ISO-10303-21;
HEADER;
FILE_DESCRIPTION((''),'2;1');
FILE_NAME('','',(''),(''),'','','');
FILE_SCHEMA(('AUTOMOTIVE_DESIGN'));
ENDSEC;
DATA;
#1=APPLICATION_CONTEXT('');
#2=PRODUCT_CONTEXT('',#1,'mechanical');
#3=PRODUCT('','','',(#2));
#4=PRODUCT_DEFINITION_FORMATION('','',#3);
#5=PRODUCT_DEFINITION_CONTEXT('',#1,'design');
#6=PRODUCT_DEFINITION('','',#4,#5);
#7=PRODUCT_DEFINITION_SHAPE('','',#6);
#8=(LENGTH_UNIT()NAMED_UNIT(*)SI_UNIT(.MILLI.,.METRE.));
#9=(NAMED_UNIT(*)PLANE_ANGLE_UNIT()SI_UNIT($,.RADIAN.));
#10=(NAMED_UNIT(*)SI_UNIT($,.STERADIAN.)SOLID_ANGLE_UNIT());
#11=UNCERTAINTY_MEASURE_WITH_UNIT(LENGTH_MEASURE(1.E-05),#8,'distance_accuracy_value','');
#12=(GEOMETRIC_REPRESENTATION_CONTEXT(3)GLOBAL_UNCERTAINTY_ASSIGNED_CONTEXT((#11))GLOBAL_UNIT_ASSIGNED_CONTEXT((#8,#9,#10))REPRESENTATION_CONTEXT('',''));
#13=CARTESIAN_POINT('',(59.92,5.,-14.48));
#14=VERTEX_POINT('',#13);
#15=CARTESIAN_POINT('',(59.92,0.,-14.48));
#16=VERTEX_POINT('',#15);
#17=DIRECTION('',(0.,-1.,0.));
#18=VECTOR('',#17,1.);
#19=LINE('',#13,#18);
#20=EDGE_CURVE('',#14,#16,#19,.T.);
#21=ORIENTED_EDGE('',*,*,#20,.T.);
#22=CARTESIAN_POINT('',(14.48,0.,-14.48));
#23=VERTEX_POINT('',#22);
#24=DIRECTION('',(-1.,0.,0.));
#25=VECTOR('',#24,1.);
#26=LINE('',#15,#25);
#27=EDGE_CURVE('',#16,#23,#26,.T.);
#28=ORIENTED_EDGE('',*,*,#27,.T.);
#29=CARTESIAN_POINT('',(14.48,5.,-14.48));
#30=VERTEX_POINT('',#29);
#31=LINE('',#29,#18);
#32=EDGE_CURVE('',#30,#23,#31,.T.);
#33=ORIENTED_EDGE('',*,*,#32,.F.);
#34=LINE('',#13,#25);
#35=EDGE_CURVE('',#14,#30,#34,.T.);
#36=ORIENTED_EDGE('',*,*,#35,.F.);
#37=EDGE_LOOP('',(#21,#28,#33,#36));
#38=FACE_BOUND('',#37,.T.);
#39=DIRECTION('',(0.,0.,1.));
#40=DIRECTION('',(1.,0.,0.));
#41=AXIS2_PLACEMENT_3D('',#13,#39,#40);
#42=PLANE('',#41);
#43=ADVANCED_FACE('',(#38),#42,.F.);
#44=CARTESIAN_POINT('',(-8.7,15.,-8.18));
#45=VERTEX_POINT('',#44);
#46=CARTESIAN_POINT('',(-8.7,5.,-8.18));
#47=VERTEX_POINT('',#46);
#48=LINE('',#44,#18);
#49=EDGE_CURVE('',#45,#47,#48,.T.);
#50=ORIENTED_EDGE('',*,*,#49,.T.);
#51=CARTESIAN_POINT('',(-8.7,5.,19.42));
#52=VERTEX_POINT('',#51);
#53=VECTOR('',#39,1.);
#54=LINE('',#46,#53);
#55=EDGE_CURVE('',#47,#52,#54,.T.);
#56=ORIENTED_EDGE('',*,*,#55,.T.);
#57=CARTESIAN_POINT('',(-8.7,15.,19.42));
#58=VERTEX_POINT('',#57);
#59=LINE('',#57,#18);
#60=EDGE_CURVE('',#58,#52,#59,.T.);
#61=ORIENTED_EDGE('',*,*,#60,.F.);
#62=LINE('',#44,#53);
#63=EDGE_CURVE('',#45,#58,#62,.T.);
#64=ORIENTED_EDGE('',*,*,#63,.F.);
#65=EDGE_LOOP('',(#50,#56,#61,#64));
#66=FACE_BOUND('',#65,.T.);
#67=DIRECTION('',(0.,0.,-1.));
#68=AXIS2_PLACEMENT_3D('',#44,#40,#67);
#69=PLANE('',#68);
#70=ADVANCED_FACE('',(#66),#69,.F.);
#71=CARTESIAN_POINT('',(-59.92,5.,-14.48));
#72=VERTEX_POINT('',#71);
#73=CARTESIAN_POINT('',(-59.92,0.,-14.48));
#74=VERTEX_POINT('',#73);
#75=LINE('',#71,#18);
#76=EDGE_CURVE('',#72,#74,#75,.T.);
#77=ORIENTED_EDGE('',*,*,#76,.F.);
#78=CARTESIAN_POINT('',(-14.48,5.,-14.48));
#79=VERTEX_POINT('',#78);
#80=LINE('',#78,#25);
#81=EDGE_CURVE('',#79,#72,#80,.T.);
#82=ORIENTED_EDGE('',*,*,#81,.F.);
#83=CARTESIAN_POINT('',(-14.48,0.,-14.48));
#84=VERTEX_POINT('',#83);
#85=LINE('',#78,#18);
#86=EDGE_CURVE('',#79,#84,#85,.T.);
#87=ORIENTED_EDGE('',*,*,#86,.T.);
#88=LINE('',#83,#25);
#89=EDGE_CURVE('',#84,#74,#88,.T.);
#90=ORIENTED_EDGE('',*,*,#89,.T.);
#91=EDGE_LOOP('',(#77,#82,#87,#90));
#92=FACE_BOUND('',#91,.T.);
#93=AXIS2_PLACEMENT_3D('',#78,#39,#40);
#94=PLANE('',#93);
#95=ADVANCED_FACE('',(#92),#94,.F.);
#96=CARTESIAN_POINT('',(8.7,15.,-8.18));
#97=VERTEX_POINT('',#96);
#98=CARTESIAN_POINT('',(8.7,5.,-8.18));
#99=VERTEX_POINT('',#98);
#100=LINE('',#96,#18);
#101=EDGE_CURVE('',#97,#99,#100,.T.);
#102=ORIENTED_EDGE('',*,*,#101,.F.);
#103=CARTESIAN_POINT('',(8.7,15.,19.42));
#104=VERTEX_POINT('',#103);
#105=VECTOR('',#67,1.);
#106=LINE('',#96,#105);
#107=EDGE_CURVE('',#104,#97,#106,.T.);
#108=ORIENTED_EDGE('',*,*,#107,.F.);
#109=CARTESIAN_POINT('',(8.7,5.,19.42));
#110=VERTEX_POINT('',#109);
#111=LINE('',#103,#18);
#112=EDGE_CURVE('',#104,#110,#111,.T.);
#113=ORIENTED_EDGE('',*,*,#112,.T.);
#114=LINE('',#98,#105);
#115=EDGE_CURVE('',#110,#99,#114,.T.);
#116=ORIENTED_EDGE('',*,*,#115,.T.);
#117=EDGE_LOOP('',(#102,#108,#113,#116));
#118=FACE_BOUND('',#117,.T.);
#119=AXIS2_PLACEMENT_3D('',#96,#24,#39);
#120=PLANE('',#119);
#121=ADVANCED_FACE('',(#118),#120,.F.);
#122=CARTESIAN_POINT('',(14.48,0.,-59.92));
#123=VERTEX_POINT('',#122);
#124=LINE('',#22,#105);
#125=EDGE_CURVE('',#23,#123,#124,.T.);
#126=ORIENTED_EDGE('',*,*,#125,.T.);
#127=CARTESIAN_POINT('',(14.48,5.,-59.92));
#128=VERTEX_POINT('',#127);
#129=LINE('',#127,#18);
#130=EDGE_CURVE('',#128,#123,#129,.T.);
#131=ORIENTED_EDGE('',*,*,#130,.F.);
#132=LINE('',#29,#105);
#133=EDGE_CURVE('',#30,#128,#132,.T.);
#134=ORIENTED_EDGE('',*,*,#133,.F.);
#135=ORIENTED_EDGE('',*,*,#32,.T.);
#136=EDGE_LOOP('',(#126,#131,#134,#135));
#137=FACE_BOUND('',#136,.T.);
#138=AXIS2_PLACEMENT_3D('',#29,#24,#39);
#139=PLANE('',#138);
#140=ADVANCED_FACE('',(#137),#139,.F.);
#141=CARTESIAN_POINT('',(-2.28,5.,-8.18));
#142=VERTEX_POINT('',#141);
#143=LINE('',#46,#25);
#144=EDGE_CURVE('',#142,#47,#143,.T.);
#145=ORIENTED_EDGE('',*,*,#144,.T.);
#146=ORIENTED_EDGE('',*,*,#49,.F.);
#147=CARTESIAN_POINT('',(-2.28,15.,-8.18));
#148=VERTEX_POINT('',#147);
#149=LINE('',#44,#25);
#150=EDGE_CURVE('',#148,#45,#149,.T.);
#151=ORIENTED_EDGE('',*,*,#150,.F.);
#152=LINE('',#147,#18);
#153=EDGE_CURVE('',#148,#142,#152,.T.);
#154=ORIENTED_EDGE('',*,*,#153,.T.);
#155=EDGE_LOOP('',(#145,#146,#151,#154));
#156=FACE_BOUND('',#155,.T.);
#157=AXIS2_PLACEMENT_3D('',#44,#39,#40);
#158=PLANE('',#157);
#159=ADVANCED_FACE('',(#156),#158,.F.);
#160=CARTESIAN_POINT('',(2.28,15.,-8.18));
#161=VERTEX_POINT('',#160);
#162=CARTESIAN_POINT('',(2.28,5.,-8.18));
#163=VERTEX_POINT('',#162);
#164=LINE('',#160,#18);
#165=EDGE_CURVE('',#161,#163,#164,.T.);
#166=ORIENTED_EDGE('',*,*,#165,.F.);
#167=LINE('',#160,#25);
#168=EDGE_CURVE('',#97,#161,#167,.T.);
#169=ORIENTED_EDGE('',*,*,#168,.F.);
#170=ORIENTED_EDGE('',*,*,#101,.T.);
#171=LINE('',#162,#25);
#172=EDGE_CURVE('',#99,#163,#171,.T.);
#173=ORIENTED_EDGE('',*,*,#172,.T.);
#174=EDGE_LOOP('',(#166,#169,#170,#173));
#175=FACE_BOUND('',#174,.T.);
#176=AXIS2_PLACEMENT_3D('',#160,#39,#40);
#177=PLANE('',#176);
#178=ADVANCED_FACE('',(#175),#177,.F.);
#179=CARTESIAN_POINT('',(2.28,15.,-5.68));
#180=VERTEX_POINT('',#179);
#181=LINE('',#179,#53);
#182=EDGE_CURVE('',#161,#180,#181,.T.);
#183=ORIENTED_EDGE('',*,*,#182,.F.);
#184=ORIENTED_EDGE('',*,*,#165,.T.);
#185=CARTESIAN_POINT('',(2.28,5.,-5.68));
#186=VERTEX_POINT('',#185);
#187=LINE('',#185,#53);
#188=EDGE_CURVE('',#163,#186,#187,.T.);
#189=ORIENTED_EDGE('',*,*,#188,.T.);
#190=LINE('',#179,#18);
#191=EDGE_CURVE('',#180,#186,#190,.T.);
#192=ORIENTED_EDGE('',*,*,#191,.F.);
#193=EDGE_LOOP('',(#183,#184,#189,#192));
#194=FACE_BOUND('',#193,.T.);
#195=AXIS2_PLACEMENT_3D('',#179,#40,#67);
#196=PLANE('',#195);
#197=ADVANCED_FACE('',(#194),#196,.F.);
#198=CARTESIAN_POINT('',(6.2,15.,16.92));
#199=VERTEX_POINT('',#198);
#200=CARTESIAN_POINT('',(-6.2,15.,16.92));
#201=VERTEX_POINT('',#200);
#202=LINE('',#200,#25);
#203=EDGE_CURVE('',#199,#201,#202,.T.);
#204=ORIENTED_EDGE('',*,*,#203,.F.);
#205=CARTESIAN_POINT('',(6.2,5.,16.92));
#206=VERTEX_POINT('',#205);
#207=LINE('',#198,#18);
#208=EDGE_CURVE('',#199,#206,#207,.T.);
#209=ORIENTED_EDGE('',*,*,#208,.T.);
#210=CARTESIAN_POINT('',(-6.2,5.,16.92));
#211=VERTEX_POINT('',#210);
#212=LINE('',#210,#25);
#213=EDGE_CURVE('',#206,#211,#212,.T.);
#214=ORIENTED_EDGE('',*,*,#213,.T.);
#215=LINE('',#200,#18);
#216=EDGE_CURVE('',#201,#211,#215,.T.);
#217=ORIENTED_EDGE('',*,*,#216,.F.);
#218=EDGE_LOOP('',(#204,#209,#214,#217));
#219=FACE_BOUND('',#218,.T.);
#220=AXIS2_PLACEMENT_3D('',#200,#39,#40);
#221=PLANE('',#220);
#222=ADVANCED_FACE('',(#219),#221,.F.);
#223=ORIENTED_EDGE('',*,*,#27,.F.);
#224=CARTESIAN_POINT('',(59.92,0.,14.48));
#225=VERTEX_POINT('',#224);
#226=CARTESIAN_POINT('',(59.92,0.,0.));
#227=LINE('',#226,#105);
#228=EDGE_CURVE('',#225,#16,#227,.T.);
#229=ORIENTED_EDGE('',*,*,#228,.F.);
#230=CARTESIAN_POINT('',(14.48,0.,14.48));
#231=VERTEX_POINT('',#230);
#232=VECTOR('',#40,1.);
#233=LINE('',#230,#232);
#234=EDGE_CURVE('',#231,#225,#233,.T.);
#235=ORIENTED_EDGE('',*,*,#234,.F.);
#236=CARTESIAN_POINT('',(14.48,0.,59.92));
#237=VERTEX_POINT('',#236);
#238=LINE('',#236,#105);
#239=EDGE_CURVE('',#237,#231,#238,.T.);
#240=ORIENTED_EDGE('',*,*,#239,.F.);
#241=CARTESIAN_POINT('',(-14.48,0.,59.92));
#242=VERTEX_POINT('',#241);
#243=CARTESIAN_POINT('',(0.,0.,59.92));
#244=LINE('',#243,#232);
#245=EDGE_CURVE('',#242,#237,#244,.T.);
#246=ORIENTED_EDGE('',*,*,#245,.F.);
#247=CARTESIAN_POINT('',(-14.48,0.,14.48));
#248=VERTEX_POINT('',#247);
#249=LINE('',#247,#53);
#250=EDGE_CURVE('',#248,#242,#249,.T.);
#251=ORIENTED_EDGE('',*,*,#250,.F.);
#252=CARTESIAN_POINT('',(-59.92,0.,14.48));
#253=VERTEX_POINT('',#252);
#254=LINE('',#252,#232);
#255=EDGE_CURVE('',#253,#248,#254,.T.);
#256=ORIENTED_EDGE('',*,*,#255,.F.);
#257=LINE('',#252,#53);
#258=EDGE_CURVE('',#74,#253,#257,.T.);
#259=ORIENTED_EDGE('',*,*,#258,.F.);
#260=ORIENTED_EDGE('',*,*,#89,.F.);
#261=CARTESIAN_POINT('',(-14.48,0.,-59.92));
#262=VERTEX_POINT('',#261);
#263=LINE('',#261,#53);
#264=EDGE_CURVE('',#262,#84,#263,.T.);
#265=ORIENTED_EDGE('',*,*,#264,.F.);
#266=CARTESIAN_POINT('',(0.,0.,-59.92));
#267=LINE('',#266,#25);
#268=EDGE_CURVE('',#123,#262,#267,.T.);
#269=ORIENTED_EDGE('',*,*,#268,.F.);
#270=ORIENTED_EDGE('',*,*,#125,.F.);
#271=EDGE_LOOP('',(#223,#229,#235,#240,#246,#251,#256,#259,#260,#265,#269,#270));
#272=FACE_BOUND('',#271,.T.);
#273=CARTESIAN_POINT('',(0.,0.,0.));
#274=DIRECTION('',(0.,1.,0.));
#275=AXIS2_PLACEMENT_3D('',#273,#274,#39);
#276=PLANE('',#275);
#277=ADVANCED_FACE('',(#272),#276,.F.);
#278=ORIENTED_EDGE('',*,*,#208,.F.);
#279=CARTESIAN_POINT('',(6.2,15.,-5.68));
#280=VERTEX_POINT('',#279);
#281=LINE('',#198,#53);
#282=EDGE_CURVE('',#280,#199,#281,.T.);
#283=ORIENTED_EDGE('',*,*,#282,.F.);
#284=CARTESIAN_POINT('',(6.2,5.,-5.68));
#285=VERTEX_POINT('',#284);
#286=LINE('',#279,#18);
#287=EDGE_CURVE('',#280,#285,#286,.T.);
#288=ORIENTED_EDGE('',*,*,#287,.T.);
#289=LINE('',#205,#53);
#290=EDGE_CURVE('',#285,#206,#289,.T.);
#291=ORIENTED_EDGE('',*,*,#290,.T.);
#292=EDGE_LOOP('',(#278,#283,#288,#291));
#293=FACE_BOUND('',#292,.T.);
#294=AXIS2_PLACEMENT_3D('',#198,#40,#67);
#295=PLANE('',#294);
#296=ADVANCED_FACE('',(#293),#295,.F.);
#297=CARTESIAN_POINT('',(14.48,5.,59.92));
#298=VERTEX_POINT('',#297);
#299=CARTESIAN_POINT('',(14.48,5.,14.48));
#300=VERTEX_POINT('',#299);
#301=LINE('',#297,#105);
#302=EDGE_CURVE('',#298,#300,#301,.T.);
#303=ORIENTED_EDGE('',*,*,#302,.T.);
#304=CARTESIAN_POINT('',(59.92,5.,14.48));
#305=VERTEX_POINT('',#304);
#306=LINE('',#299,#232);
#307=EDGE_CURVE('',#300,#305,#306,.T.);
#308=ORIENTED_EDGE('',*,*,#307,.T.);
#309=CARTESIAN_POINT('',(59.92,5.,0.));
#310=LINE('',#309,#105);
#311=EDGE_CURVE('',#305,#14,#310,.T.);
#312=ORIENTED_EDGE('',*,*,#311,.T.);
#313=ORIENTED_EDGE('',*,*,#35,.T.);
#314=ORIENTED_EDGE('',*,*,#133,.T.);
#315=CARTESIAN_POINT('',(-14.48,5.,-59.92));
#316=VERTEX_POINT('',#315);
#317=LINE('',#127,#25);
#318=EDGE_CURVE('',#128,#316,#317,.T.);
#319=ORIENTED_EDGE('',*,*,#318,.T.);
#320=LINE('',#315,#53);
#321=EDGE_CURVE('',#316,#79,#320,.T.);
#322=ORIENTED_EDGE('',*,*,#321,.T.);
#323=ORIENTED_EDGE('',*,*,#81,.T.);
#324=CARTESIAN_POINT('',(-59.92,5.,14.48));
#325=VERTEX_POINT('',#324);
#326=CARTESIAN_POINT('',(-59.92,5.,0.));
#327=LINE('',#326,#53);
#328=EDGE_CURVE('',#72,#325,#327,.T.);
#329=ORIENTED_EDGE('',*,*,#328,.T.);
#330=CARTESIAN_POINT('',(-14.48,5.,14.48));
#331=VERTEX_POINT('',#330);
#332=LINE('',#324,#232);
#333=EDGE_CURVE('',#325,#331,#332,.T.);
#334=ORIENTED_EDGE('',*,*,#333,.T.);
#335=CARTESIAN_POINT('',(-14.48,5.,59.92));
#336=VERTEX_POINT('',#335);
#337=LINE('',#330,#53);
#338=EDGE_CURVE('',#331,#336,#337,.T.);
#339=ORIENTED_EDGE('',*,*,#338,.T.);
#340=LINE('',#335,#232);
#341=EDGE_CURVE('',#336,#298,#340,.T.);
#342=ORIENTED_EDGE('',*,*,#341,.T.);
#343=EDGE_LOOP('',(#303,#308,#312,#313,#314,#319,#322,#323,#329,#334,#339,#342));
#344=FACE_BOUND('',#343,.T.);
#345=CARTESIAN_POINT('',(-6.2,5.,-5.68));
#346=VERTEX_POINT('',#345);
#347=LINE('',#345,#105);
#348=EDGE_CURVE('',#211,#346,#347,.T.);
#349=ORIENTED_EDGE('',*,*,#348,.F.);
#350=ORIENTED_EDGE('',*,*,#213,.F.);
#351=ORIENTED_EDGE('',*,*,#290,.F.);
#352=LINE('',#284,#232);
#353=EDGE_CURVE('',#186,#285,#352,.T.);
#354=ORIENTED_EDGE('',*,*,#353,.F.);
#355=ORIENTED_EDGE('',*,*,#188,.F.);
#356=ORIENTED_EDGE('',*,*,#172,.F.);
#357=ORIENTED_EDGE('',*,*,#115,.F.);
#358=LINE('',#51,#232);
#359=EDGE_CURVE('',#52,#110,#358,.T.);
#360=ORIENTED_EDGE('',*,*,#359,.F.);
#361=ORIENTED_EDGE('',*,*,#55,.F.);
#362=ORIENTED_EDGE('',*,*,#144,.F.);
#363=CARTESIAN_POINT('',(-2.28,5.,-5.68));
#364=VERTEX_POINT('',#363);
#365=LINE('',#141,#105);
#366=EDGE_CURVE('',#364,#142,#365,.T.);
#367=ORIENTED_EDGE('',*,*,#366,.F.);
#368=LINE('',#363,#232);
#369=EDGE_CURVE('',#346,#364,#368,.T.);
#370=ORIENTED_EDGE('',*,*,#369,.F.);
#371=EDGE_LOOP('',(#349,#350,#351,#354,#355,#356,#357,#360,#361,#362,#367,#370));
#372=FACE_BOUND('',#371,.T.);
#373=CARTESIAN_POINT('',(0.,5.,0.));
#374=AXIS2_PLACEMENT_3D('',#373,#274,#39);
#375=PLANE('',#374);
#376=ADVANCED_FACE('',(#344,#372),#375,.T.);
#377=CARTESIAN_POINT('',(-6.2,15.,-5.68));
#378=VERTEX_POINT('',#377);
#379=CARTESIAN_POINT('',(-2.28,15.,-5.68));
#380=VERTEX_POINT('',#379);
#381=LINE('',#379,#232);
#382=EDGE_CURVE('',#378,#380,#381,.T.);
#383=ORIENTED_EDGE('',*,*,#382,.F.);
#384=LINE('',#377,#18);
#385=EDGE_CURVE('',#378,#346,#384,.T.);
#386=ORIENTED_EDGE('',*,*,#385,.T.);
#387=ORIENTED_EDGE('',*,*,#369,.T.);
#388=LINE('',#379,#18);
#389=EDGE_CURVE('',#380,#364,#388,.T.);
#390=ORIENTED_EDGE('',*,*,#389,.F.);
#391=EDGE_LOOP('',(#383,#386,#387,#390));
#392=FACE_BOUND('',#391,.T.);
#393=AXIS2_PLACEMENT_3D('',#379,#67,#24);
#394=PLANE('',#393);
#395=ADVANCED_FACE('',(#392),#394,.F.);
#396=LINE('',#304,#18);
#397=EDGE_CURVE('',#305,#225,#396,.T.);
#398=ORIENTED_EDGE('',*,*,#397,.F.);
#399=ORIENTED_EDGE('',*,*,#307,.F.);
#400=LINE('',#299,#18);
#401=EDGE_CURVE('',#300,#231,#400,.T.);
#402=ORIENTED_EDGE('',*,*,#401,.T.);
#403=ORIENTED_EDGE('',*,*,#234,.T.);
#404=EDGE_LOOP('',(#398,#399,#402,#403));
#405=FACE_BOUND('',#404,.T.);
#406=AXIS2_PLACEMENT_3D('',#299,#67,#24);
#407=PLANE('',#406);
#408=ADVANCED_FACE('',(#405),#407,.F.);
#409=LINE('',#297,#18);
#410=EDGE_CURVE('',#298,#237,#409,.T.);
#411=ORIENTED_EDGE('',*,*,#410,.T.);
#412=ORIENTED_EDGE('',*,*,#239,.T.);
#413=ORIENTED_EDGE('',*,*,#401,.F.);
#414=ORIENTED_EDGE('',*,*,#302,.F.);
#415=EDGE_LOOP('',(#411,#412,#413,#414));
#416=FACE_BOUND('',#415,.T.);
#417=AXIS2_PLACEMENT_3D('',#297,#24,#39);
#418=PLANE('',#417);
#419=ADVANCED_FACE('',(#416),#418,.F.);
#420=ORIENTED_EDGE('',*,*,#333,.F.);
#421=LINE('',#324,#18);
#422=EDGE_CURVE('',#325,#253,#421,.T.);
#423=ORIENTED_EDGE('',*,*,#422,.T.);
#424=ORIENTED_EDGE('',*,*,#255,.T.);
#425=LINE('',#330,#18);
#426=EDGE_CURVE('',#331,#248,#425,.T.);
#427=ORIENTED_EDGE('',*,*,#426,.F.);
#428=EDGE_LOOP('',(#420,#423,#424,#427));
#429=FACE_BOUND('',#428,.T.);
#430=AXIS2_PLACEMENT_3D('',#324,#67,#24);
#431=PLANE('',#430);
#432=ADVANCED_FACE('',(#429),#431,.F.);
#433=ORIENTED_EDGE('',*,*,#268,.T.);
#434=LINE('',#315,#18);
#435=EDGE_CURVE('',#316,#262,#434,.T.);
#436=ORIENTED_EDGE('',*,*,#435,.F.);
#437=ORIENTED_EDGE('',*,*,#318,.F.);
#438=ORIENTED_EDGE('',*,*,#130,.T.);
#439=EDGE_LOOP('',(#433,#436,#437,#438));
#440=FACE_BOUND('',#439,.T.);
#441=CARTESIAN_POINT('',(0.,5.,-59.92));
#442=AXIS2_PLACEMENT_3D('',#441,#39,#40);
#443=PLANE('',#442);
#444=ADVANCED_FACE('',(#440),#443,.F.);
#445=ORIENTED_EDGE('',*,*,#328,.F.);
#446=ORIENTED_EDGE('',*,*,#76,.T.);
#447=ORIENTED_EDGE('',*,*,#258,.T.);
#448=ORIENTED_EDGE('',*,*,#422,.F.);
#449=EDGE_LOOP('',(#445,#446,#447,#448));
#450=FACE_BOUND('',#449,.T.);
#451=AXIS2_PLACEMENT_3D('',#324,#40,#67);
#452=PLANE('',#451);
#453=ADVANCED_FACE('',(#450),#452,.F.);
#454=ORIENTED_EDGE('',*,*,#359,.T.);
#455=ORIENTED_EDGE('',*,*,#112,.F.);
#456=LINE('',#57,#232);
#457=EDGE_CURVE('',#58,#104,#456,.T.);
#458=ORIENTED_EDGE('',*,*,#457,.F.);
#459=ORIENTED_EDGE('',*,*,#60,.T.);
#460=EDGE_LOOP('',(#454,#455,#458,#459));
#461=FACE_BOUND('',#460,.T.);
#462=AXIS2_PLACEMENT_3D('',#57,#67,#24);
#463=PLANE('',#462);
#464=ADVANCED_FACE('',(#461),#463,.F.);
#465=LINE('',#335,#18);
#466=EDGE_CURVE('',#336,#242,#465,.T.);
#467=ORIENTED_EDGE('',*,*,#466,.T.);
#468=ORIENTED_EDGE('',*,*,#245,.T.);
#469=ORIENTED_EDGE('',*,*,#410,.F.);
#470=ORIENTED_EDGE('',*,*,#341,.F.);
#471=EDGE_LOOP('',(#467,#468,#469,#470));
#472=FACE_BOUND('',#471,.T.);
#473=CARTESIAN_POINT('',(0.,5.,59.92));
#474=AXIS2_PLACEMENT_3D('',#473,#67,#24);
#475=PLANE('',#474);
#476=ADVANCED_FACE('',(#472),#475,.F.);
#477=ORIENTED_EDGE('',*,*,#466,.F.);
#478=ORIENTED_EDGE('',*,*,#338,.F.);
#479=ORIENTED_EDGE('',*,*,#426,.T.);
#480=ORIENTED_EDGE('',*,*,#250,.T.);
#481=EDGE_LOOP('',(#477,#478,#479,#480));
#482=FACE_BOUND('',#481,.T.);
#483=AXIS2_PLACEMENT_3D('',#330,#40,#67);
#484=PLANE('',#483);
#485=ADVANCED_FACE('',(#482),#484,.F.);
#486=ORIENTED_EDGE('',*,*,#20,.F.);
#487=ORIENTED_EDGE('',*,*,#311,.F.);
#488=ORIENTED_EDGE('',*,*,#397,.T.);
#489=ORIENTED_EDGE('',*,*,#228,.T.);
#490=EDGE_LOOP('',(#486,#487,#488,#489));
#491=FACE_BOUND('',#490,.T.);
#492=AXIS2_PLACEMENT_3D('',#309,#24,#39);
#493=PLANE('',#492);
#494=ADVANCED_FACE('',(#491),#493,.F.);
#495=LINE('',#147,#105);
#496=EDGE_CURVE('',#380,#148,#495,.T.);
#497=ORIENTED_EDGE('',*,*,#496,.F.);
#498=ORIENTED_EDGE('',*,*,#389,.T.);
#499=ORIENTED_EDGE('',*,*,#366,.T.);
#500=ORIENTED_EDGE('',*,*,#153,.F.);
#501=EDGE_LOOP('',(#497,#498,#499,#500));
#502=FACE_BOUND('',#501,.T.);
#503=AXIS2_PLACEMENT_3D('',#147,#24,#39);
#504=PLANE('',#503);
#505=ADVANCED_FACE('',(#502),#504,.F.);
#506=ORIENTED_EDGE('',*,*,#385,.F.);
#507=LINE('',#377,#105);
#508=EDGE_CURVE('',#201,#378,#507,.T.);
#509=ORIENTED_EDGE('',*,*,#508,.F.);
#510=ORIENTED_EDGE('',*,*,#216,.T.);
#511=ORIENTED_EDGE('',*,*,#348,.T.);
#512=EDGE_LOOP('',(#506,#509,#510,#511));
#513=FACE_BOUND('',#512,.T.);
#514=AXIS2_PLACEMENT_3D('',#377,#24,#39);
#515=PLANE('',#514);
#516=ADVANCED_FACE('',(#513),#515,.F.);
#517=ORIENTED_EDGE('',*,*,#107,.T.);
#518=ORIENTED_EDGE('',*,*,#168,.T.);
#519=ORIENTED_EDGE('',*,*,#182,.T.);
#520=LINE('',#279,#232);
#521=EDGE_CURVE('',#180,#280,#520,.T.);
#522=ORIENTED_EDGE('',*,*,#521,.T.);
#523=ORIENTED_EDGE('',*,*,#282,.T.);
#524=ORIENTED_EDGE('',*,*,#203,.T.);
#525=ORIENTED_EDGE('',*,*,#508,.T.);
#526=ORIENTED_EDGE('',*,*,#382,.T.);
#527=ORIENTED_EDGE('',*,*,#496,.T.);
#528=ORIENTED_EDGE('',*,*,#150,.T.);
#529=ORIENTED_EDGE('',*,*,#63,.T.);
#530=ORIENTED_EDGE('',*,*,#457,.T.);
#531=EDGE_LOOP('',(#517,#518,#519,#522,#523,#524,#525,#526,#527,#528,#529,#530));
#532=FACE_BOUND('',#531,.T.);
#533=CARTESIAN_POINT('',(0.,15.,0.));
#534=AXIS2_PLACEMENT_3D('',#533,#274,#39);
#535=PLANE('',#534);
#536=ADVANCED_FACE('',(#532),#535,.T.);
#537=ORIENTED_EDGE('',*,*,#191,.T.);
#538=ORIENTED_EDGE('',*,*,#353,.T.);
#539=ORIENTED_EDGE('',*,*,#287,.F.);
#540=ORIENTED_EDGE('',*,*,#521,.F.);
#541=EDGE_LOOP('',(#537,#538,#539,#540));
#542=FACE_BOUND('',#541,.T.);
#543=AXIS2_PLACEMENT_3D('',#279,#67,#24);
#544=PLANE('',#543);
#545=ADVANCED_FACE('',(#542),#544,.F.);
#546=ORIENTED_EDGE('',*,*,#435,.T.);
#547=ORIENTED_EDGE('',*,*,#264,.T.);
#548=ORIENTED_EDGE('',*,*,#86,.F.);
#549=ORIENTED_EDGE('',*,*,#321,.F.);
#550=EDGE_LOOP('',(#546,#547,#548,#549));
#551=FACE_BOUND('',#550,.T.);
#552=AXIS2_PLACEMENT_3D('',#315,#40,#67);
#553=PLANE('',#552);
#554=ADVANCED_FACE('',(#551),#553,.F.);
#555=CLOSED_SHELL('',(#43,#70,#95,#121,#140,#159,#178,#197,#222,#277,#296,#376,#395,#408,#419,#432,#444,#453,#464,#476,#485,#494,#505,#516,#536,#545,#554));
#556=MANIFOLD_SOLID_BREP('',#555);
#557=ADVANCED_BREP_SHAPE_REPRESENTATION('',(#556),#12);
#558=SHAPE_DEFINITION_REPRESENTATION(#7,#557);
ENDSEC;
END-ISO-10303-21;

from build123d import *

# Parameters (mm, degrees)
BOSS_EXTRUDE18_DEPTH = 5
BOSS_EXTRUDE19_DEPTH = 10


with BuildPart() as part:
    # Sketch21 → Boss-Extrude18 (new body)
    with BuildSketch(Plane(origin=(0, 0, 0), x_dir=(1, 0, 0), z_dir=(0, 1, 0))):
        Polygon((0, 59.92), (-14.48, 59.92), (-14.48, 14.48), (-59.92, 14.48), (-59.92, 0), (-59.92, -14.48), (-14.48, -14.48), (-14.48, -59.92), (0, -59.92), (14.48, -59.92), (14.48, -14.48), (59.92, -14.48), (59.92, 0), (59.92, 14.48), (14.48, 14.48), (14.48, 59.92), align=None)
    extrude(amount=BOSS_EXTRUDE18_DEPTH)

    # Sketch23 → Boss-Extrude19 (add)
    with BuildSketch(Plane(origin=(0, 5, 0), x_dir=(1, 0, 0), z_dir=(0, 1, 0))):
        Polygon((-8.7, 8.18), (-2.28, 8.18), (-2.28, 5.68), (-6.2, 5.68), (-6.2, -16.92), (6.2, -16.92), (6.2, 5.68), (2.28, 5.68), (2.28, 8.18), (8.7, 8.18), (8.7, -19.42), (-8.7, -19.42), align=None)
    extrude(amount=BOSS_EXTRUDE19_DEPTH)


solid = part.part
